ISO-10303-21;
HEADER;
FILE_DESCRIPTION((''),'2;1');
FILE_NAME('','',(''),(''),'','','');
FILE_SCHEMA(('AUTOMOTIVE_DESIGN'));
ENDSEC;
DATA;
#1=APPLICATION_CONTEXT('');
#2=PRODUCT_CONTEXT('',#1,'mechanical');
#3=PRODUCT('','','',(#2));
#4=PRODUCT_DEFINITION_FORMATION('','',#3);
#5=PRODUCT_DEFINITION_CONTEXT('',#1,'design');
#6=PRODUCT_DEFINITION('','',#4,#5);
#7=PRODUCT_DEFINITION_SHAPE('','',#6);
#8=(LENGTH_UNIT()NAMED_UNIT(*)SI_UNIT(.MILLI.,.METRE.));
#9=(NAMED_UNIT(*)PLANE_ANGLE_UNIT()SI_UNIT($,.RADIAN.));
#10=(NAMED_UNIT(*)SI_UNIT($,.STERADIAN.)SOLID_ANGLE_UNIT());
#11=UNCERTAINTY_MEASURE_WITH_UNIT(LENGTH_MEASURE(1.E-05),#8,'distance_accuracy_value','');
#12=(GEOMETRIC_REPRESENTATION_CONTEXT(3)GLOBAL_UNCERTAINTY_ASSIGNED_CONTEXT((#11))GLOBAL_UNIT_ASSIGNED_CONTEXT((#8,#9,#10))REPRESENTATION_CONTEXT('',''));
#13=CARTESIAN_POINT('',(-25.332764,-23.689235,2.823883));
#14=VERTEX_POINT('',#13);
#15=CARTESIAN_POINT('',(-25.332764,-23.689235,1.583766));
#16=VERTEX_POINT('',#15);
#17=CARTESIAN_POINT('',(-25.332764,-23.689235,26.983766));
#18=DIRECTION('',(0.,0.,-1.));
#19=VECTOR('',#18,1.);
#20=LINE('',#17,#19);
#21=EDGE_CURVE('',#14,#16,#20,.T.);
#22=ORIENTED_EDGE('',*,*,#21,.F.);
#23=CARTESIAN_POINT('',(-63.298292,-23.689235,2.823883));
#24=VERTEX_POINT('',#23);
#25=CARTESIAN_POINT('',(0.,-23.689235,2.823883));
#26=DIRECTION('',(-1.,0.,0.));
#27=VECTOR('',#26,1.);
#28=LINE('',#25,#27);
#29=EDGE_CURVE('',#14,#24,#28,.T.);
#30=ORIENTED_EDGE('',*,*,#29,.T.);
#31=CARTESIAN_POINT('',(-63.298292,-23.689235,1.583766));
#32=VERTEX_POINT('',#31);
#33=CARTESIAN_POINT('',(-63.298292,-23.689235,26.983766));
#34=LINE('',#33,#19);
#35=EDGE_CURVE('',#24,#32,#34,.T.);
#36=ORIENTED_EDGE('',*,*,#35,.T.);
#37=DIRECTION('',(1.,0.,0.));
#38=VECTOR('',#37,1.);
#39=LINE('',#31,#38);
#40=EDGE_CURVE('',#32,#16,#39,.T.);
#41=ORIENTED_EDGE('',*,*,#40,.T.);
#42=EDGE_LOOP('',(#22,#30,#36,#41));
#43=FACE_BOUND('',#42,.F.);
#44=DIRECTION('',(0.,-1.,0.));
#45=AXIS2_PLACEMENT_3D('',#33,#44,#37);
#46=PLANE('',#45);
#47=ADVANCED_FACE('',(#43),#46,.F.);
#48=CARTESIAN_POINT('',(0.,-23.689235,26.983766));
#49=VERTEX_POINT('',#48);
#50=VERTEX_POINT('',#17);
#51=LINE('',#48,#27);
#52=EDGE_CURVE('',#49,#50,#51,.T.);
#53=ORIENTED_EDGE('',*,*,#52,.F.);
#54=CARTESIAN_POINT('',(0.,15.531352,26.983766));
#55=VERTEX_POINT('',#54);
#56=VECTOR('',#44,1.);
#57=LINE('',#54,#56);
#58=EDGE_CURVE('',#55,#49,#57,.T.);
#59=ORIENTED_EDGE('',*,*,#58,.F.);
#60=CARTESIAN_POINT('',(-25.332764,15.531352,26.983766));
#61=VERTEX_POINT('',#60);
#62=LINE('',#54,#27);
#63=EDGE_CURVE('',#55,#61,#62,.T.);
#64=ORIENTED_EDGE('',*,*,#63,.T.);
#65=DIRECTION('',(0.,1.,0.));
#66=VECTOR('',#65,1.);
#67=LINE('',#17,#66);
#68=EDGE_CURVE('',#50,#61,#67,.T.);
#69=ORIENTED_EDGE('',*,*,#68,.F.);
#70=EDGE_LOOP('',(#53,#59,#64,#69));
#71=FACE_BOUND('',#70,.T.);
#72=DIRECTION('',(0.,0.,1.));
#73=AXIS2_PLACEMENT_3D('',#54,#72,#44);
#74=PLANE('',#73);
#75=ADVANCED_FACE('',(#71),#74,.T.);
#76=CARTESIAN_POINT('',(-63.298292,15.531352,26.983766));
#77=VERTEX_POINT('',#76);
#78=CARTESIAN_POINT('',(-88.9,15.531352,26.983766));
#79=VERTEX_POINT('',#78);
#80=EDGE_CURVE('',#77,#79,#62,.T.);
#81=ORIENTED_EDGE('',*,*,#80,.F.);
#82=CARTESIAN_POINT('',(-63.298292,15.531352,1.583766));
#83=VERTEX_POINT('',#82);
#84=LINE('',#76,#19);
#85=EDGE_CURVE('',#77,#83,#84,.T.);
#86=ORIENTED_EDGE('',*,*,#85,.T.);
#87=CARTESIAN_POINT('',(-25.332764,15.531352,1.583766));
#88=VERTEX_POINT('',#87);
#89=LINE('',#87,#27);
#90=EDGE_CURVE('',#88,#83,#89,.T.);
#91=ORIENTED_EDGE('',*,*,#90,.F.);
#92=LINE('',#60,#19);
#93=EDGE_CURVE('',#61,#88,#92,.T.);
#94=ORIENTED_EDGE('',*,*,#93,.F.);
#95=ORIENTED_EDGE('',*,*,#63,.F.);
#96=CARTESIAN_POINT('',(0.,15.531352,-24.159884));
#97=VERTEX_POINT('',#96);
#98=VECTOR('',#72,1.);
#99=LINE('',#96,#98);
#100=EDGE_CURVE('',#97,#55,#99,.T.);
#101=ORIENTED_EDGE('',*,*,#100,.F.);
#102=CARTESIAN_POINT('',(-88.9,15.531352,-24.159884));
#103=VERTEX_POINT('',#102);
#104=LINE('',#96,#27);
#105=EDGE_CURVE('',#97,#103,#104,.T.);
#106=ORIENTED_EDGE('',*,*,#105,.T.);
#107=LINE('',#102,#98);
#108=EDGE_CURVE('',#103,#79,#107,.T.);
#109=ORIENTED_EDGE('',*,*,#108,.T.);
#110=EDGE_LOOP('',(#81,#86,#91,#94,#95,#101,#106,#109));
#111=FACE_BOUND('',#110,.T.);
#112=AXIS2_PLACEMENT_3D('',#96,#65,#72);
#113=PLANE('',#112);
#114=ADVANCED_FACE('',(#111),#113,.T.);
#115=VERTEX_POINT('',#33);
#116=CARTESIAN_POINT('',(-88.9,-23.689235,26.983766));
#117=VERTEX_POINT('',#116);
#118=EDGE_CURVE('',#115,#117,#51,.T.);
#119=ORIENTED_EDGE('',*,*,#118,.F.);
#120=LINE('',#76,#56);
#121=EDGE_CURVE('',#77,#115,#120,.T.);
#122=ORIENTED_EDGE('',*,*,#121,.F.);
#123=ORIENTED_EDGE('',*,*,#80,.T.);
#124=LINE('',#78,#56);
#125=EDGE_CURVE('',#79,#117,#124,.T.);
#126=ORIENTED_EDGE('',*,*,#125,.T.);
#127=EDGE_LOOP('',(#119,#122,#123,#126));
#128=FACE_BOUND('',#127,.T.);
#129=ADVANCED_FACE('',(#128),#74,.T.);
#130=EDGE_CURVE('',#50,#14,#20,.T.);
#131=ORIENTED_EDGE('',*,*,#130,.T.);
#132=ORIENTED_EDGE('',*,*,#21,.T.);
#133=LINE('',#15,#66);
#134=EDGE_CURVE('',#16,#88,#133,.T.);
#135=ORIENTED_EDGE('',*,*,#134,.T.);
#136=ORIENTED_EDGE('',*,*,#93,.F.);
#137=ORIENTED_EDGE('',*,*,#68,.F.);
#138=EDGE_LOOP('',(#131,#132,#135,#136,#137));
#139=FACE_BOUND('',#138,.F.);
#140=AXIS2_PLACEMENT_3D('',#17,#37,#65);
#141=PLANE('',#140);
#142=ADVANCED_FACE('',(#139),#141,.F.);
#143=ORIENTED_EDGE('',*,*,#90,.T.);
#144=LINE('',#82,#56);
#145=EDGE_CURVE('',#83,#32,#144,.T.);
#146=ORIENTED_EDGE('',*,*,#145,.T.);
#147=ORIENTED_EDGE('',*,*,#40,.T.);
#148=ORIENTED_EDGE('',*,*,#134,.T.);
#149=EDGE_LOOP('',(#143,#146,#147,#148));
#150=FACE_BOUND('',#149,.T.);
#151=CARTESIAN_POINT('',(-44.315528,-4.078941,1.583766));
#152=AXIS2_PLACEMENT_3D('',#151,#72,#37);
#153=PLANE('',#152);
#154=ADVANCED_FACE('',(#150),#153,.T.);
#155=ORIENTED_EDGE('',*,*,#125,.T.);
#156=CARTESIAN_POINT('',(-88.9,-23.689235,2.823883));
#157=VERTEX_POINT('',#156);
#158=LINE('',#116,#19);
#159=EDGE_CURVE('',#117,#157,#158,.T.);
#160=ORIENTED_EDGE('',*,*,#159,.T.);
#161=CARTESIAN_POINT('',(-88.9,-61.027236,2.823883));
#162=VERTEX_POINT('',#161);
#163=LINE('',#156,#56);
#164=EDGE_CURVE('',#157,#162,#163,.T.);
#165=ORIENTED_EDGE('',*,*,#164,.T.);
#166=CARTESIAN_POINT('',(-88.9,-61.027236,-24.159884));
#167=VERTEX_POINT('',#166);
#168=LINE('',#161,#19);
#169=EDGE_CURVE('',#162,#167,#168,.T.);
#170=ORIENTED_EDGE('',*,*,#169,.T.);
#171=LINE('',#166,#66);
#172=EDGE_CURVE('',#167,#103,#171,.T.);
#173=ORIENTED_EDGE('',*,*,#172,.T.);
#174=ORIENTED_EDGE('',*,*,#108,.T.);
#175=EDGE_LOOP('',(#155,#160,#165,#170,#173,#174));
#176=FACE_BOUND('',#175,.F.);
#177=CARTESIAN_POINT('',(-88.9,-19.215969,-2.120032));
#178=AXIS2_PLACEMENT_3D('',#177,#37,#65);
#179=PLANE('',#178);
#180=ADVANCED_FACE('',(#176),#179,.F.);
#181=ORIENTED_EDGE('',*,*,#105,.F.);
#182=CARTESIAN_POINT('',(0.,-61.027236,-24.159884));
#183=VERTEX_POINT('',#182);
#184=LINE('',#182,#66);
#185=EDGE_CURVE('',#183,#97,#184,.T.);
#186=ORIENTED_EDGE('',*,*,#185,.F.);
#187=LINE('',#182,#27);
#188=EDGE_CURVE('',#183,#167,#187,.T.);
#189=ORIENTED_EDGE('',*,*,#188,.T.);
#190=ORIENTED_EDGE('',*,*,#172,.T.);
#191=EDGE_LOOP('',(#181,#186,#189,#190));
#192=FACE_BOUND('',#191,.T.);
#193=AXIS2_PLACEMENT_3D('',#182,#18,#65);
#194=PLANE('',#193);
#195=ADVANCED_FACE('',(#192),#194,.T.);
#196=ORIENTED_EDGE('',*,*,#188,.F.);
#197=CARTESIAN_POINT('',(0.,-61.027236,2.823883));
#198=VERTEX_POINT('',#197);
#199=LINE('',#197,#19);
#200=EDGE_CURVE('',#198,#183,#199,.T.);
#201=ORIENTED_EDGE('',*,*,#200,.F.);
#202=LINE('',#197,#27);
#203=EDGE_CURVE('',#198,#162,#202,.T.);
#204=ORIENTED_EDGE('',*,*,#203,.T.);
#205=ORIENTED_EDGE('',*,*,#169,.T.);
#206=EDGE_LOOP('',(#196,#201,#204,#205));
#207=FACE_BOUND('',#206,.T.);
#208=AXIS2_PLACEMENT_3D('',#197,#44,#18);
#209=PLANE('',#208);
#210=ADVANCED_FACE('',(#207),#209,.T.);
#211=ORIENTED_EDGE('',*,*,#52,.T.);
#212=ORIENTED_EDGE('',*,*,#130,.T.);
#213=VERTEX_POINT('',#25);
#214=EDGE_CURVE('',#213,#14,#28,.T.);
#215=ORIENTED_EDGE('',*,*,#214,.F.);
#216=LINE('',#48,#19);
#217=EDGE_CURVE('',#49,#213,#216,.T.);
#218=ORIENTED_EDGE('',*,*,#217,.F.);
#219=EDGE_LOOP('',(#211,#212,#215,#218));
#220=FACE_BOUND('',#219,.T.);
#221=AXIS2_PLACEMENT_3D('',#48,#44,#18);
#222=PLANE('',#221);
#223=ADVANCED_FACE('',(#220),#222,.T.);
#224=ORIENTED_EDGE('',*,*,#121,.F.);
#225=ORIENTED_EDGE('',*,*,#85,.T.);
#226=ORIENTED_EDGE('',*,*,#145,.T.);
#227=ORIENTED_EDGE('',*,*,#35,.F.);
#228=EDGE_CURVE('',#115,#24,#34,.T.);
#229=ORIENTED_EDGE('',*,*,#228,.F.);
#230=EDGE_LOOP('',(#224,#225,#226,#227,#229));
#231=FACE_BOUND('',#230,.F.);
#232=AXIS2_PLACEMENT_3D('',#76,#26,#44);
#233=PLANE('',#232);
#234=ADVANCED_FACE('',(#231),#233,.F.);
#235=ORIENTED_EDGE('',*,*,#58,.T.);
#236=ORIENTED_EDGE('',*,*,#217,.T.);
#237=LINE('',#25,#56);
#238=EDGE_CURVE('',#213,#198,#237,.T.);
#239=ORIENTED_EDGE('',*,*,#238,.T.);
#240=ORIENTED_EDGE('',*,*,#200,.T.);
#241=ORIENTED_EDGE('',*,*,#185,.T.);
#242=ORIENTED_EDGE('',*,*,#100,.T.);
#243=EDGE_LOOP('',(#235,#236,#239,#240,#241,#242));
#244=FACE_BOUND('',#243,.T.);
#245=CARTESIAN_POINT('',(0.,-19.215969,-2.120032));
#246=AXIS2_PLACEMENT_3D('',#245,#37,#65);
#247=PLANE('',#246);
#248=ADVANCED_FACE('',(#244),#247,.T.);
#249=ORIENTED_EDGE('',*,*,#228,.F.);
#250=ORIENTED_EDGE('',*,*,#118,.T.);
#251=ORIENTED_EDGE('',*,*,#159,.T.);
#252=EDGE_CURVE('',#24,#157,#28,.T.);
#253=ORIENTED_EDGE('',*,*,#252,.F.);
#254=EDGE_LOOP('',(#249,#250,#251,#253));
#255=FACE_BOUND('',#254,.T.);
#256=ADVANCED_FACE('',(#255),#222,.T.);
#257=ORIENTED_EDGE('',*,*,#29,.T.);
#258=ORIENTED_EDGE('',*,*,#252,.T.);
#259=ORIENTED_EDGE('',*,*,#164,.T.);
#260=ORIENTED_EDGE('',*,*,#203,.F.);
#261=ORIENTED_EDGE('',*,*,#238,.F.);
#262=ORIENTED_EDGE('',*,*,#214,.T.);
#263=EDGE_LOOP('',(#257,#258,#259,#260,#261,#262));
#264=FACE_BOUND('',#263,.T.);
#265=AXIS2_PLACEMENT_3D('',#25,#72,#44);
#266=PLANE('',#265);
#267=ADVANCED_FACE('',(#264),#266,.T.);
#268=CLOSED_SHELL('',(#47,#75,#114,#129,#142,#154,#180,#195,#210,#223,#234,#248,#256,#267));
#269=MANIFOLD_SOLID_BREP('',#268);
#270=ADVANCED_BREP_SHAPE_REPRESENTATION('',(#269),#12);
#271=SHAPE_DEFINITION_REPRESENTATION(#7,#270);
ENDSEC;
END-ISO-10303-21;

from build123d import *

# Parameters (mm, degrees)
F1_DEPTH = 88.9
F3_DEPTH = 25.4


with BuildPart() as f1:
    # F0 (on Right) → F1 (new body)
    with BuildSketch(Plane.YZ):
        Polygon((15.531352, 26.983766), (-23.689235, 26.983766), (-23.689235, 2.823883), (-61.027236, 2.823883), (-61.027236, -24.159884), (15.531352, -24.159884), align=None)
    extrude(amount=-F1_DEPTH)

    # F2 (on face) → F3 (cut)
    with BuildSketch(Plane.XY.offset(26.983766)):
        Polygon((-63.298292, 15.531352), (-63.298292, -4.078941), (-63.298292, -23.689235), (-25.332764, -23.689235), (-25.332764, -4.078941), (-25.332764, 15.531352), align=None)
    extrude(amount=-F3_DEPTH, mode=Mode.SUBTRACT)


solid = f1.part
